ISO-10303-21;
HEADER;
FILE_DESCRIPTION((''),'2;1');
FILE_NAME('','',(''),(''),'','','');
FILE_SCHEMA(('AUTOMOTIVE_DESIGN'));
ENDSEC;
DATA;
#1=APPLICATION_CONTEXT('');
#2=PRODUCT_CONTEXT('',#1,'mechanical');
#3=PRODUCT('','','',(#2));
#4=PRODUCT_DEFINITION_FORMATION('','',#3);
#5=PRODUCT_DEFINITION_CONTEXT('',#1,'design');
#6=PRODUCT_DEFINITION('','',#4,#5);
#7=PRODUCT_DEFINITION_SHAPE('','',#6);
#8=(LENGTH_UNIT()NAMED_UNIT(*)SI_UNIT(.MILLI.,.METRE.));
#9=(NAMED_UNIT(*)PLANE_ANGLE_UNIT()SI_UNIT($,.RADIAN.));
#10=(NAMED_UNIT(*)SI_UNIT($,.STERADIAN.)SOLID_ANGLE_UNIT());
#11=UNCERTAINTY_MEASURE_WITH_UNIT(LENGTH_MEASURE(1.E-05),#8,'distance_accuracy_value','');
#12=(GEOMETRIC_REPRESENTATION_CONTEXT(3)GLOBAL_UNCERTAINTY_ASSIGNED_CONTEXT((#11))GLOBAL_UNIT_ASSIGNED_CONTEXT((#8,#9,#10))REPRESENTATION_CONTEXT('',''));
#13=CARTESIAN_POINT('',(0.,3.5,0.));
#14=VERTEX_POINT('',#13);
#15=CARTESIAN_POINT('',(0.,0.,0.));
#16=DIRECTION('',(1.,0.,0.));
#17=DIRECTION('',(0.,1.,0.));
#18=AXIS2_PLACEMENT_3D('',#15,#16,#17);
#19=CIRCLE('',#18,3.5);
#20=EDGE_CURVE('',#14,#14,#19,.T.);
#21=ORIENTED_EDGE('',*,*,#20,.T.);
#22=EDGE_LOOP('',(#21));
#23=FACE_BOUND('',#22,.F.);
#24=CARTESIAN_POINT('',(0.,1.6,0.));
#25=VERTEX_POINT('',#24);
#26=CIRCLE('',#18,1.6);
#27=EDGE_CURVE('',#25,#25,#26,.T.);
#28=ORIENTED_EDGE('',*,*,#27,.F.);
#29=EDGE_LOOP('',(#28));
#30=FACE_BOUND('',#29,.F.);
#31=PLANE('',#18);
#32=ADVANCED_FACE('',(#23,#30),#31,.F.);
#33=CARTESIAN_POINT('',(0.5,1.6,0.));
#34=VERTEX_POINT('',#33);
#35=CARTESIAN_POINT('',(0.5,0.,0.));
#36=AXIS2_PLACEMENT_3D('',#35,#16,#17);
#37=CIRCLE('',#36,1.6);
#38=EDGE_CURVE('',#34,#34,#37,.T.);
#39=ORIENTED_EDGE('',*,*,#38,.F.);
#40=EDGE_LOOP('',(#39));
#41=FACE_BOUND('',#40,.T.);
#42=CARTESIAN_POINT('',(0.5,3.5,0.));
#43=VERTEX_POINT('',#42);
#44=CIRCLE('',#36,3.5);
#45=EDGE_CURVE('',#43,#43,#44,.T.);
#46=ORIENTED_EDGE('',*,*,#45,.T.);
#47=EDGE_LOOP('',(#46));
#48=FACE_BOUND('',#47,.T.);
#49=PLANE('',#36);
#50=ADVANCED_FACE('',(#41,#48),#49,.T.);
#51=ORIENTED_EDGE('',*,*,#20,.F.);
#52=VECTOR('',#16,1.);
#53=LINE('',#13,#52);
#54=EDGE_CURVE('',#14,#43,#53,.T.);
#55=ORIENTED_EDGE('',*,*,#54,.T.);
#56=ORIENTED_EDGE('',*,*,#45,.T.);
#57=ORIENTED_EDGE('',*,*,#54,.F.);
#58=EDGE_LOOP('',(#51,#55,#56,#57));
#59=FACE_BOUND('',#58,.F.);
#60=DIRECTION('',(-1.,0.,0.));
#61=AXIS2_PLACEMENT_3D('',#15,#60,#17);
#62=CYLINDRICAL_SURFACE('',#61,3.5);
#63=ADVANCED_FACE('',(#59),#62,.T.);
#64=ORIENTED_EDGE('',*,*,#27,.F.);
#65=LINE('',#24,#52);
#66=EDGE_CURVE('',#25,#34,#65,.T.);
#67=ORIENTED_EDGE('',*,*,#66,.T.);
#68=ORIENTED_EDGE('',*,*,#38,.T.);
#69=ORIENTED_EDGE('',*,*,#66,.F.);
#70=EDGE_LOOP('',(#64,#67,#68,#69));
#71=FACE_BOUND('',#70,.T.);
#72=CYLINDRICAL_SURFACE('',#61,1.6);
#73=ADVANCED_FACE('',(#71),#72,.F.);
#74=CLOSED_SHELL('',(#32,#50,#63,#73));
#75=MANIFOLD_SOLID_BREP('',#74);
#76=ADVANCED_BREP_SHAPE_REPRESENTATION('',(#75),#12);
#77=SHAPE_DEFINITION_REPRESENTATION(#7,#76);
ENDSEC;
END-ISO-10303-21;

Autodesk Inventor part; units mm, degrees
ref_plane "YZ Plane" through (0, 0, 0) normal (1, 0, 0) x (0, 1, 0)
ref_plane "XZ Plane" through (0, 0, 0) normal (0, 1, 0) x (-1, 0, 0)
sketch "Skizze" plane through (0, 0, 0) normal (1, 0, 0) x (0, 1, 0)
  circle A0 centre (0, 0) radius 3.5
  circle A1 centre (0, 0) radius 1.6
  dimension "d0" = 3.2
  dimension "d1" = 7
extrude "Körper" add sketch "Skizze" along normal blind 0.5
ref_plane "Work Plane1" through (0, 0, 0) normal (0, 0, 1) x (1, 0, 0)
equation "\"d0\" = SD1"
equation "\"d1\" = SD2"
equation "\"d2\" = SD"
equation "\"SD1\" = 3.2"
equation "\"SD2\" = 7"
equation "\"SD\" = 0.5"
equation "\"NND\" = 3"
properties part number "DIN 125 - A 3,2" material "Stahl, weich"
